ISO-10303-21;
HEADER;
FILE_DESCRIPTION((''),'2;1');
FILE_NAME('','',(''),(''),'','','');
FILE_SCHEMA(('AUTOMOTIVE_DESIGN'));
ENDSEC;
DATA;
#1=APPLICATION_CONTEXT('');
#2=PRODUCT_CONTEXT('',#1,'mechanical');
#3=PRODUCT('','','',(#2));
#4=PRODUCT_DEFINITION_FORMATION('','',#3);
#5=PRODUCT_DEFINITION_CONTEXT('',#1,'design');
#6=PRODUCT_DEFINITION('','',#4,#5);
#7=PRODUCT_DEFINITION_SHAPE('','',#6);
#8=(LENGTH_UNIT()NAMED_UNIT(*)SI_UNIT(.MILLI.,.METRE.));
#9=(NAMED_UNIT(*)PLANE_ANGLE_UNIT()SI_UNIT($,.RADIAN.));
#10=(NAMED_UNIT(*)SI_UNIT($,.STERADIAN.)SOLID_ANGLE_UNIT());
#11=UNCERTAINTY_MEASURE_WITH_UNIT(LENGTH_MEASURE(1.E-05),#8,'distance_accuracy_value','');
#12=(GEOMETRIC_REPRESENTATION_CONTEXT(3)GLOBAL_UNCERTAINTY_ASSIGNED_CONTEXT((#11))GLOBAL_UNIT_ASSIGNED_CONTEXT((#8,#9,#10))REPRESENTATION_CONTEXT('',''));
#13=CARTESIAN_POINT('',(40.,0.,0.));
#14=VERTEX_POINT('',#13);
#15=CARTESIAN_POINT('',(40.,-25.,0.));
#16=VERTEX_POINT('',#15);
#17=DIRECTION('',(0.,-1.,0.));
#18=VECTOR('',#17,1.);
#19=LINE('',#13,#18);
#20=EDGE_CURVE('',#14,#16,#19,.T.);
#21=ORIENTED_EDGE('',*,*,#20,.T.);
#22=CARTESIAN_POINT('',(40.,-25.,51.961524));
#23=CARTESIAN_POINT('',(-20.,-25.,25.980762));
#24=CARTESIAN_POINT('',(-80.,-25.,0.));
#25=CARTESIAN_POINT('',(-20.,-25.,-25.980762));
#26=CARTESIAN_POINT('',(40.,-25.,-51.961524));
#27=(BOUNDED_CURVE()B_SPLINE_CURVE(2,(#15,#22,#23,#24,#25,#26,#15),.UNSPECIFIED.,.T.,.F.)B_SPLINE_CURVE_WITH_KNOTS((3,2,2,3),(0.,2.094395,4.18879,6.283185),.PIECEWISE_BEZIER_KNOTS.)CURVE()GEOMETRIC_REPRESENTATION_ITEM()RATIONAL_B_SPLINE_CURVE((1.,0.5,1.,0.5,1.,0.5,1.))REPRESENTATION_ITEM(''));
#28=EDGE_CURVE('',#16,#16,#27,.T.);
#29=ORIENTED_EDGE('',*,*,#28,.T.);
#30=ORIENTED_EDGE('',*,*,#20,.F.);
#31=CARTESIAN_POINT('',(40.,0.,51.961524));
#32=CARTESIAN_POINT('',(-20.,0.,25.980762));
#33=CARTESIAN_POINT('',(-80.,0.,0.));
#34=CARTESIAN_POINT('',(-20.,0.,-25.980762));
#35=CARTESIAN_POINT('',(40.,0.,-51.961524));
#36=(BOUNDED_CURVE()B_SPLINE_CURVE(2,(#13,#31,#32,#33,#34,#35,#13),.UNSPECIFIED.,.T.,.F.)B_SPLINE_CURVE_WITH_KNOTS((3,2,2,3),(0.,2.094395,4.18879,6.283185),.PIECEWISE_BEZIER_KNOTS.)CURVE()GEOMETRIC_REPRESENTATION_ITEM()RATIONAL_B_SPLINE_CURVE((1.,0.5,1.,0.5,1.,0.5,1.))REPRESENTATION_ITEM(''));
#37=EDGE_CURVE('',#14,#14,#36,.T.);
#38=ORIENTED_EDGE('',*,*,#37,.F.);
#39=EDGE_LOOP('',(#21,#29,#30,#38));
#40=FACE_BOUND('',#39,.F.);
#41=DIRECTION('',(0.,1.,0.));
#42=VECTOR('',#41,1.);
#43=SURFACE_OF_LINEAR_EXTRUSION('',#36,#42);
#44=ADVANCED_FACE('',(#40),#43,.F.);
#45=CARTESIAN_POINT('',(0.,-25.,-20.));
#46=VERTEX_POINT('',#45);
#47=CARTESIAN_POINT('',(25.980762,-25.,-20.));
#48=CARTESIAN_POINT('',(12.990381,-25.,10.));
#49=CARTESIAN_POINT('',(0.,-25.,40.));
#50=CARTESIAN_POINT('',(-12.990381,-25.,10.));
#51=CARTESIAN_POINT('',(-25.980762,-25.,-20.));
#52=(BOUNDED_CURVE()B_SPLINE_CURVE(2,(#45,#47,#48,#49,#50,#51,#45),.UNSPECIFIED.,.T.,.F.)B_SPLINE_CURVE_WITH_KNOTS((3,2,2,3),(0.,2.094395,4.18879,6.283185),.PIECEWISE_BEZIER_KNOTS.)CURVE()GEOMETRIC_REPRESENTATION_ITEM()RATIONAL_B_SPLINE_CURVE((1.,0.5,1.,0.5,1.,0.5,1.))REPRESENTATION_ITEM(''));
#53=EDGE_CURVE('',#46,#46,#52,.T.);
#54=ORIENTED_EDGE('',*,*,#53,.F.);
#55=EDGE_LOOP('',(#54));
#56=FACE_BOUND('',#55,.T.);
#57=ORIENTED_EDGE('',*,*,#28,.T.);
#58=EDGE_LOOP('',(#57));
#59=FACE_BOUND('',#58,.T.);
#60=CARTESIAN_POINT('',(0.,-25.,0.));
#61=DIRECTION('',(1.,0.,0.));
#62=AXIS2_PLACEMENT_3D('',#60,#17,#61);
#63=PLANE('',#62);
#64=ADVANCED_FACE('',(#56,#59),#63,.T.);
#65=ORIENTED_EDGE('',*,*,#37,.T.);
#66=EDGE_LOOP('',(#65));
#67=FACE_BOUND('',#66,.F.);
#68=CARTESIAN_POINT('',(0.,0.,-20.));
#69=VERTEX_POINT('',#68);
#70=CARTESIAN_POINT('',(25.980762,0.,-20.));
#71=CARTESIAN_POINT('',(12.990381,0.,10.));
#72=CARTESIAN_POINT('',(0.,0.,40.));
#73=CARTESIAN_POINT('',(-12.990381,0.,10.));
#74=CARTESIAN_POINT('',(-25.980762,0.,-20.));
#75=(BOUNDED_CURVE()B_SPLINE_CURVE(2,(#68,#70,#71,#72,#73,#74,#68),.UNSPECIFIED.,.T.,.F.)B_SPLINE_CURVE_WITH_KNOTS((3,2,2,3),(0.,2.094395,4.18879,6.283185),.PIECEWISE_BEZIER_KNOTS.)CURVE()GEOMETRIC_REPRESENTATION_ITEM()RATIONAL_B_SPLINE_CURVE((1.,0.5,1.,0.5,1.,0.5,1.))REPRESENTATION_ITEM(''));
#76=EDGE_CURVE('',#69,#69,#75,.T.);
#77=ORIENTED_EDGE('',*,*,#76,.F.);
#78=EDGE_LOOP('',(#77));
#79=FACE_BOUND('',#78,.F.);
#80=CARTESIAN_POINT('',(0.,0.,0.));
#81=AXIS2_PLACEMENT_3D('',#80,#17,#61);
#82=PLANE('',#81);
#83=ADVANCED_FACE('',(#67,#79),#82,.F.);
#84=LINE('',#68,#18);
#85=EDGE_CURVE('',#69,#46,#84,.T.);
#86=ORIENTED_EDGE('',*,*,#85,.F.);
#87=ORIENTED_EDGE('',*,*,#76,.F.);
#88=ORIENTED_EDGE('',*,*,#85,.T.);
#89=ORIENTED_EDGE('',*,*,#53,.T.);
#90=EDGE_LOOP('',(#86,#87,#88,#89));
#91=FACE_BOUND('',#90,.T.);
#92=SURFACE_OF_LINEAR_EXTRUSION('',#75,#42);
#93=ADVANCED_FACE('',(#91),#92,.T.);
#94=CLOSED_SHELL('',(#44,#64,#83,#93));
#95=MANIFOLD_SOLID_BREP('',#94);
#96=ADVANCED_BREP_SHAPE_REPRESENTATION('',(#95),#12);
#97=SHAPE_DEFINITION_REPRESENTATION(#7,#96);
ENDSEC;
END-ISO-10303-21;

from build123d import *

# Parameters (mm, degrees)
F1_DEPTH = 25


with BuildPart() as f1:
    # F0 (on Front) → F1 (new body)
    with BuildSketch(Plane.XZ):
        with BuildLine():
            add(Edge.make_bspline(
                [(40, 0), (40, 51.961524), (-20, 25.980762), (-80, 0), (-20, -25.980762), (40, -51.961524), (40, 0)],
                knots=[0, 0, 0, 2.094395, 2.094395, 4.18879, 4.18879, 6.283185, 6.283185, 6.283185], degree=2, weights=[1, 0.5, 1, 0.5, 1, 0.5, 1]))
        make_face()
        with BuildLine():
            add(Edge.make_bspline(
                [(0, -20), (25.980762, -20), (12.990381, 10), (0, 40), (-12.990381, 10), (-25.980762, -20), (0, -20)],
                knots=[0, 0, 0, 2.094395, 2.094395, 4.18879, 4.18879, 6.283185, 6.283185, 6.283185], degree=2, weights=[1, 0.5, 1, 0.5, 1, 0.5, 1]))
        make_face(mode=Mode.SUBTRACT)
    extrude(amount=F1_DEPTH)


solid = f1.part
